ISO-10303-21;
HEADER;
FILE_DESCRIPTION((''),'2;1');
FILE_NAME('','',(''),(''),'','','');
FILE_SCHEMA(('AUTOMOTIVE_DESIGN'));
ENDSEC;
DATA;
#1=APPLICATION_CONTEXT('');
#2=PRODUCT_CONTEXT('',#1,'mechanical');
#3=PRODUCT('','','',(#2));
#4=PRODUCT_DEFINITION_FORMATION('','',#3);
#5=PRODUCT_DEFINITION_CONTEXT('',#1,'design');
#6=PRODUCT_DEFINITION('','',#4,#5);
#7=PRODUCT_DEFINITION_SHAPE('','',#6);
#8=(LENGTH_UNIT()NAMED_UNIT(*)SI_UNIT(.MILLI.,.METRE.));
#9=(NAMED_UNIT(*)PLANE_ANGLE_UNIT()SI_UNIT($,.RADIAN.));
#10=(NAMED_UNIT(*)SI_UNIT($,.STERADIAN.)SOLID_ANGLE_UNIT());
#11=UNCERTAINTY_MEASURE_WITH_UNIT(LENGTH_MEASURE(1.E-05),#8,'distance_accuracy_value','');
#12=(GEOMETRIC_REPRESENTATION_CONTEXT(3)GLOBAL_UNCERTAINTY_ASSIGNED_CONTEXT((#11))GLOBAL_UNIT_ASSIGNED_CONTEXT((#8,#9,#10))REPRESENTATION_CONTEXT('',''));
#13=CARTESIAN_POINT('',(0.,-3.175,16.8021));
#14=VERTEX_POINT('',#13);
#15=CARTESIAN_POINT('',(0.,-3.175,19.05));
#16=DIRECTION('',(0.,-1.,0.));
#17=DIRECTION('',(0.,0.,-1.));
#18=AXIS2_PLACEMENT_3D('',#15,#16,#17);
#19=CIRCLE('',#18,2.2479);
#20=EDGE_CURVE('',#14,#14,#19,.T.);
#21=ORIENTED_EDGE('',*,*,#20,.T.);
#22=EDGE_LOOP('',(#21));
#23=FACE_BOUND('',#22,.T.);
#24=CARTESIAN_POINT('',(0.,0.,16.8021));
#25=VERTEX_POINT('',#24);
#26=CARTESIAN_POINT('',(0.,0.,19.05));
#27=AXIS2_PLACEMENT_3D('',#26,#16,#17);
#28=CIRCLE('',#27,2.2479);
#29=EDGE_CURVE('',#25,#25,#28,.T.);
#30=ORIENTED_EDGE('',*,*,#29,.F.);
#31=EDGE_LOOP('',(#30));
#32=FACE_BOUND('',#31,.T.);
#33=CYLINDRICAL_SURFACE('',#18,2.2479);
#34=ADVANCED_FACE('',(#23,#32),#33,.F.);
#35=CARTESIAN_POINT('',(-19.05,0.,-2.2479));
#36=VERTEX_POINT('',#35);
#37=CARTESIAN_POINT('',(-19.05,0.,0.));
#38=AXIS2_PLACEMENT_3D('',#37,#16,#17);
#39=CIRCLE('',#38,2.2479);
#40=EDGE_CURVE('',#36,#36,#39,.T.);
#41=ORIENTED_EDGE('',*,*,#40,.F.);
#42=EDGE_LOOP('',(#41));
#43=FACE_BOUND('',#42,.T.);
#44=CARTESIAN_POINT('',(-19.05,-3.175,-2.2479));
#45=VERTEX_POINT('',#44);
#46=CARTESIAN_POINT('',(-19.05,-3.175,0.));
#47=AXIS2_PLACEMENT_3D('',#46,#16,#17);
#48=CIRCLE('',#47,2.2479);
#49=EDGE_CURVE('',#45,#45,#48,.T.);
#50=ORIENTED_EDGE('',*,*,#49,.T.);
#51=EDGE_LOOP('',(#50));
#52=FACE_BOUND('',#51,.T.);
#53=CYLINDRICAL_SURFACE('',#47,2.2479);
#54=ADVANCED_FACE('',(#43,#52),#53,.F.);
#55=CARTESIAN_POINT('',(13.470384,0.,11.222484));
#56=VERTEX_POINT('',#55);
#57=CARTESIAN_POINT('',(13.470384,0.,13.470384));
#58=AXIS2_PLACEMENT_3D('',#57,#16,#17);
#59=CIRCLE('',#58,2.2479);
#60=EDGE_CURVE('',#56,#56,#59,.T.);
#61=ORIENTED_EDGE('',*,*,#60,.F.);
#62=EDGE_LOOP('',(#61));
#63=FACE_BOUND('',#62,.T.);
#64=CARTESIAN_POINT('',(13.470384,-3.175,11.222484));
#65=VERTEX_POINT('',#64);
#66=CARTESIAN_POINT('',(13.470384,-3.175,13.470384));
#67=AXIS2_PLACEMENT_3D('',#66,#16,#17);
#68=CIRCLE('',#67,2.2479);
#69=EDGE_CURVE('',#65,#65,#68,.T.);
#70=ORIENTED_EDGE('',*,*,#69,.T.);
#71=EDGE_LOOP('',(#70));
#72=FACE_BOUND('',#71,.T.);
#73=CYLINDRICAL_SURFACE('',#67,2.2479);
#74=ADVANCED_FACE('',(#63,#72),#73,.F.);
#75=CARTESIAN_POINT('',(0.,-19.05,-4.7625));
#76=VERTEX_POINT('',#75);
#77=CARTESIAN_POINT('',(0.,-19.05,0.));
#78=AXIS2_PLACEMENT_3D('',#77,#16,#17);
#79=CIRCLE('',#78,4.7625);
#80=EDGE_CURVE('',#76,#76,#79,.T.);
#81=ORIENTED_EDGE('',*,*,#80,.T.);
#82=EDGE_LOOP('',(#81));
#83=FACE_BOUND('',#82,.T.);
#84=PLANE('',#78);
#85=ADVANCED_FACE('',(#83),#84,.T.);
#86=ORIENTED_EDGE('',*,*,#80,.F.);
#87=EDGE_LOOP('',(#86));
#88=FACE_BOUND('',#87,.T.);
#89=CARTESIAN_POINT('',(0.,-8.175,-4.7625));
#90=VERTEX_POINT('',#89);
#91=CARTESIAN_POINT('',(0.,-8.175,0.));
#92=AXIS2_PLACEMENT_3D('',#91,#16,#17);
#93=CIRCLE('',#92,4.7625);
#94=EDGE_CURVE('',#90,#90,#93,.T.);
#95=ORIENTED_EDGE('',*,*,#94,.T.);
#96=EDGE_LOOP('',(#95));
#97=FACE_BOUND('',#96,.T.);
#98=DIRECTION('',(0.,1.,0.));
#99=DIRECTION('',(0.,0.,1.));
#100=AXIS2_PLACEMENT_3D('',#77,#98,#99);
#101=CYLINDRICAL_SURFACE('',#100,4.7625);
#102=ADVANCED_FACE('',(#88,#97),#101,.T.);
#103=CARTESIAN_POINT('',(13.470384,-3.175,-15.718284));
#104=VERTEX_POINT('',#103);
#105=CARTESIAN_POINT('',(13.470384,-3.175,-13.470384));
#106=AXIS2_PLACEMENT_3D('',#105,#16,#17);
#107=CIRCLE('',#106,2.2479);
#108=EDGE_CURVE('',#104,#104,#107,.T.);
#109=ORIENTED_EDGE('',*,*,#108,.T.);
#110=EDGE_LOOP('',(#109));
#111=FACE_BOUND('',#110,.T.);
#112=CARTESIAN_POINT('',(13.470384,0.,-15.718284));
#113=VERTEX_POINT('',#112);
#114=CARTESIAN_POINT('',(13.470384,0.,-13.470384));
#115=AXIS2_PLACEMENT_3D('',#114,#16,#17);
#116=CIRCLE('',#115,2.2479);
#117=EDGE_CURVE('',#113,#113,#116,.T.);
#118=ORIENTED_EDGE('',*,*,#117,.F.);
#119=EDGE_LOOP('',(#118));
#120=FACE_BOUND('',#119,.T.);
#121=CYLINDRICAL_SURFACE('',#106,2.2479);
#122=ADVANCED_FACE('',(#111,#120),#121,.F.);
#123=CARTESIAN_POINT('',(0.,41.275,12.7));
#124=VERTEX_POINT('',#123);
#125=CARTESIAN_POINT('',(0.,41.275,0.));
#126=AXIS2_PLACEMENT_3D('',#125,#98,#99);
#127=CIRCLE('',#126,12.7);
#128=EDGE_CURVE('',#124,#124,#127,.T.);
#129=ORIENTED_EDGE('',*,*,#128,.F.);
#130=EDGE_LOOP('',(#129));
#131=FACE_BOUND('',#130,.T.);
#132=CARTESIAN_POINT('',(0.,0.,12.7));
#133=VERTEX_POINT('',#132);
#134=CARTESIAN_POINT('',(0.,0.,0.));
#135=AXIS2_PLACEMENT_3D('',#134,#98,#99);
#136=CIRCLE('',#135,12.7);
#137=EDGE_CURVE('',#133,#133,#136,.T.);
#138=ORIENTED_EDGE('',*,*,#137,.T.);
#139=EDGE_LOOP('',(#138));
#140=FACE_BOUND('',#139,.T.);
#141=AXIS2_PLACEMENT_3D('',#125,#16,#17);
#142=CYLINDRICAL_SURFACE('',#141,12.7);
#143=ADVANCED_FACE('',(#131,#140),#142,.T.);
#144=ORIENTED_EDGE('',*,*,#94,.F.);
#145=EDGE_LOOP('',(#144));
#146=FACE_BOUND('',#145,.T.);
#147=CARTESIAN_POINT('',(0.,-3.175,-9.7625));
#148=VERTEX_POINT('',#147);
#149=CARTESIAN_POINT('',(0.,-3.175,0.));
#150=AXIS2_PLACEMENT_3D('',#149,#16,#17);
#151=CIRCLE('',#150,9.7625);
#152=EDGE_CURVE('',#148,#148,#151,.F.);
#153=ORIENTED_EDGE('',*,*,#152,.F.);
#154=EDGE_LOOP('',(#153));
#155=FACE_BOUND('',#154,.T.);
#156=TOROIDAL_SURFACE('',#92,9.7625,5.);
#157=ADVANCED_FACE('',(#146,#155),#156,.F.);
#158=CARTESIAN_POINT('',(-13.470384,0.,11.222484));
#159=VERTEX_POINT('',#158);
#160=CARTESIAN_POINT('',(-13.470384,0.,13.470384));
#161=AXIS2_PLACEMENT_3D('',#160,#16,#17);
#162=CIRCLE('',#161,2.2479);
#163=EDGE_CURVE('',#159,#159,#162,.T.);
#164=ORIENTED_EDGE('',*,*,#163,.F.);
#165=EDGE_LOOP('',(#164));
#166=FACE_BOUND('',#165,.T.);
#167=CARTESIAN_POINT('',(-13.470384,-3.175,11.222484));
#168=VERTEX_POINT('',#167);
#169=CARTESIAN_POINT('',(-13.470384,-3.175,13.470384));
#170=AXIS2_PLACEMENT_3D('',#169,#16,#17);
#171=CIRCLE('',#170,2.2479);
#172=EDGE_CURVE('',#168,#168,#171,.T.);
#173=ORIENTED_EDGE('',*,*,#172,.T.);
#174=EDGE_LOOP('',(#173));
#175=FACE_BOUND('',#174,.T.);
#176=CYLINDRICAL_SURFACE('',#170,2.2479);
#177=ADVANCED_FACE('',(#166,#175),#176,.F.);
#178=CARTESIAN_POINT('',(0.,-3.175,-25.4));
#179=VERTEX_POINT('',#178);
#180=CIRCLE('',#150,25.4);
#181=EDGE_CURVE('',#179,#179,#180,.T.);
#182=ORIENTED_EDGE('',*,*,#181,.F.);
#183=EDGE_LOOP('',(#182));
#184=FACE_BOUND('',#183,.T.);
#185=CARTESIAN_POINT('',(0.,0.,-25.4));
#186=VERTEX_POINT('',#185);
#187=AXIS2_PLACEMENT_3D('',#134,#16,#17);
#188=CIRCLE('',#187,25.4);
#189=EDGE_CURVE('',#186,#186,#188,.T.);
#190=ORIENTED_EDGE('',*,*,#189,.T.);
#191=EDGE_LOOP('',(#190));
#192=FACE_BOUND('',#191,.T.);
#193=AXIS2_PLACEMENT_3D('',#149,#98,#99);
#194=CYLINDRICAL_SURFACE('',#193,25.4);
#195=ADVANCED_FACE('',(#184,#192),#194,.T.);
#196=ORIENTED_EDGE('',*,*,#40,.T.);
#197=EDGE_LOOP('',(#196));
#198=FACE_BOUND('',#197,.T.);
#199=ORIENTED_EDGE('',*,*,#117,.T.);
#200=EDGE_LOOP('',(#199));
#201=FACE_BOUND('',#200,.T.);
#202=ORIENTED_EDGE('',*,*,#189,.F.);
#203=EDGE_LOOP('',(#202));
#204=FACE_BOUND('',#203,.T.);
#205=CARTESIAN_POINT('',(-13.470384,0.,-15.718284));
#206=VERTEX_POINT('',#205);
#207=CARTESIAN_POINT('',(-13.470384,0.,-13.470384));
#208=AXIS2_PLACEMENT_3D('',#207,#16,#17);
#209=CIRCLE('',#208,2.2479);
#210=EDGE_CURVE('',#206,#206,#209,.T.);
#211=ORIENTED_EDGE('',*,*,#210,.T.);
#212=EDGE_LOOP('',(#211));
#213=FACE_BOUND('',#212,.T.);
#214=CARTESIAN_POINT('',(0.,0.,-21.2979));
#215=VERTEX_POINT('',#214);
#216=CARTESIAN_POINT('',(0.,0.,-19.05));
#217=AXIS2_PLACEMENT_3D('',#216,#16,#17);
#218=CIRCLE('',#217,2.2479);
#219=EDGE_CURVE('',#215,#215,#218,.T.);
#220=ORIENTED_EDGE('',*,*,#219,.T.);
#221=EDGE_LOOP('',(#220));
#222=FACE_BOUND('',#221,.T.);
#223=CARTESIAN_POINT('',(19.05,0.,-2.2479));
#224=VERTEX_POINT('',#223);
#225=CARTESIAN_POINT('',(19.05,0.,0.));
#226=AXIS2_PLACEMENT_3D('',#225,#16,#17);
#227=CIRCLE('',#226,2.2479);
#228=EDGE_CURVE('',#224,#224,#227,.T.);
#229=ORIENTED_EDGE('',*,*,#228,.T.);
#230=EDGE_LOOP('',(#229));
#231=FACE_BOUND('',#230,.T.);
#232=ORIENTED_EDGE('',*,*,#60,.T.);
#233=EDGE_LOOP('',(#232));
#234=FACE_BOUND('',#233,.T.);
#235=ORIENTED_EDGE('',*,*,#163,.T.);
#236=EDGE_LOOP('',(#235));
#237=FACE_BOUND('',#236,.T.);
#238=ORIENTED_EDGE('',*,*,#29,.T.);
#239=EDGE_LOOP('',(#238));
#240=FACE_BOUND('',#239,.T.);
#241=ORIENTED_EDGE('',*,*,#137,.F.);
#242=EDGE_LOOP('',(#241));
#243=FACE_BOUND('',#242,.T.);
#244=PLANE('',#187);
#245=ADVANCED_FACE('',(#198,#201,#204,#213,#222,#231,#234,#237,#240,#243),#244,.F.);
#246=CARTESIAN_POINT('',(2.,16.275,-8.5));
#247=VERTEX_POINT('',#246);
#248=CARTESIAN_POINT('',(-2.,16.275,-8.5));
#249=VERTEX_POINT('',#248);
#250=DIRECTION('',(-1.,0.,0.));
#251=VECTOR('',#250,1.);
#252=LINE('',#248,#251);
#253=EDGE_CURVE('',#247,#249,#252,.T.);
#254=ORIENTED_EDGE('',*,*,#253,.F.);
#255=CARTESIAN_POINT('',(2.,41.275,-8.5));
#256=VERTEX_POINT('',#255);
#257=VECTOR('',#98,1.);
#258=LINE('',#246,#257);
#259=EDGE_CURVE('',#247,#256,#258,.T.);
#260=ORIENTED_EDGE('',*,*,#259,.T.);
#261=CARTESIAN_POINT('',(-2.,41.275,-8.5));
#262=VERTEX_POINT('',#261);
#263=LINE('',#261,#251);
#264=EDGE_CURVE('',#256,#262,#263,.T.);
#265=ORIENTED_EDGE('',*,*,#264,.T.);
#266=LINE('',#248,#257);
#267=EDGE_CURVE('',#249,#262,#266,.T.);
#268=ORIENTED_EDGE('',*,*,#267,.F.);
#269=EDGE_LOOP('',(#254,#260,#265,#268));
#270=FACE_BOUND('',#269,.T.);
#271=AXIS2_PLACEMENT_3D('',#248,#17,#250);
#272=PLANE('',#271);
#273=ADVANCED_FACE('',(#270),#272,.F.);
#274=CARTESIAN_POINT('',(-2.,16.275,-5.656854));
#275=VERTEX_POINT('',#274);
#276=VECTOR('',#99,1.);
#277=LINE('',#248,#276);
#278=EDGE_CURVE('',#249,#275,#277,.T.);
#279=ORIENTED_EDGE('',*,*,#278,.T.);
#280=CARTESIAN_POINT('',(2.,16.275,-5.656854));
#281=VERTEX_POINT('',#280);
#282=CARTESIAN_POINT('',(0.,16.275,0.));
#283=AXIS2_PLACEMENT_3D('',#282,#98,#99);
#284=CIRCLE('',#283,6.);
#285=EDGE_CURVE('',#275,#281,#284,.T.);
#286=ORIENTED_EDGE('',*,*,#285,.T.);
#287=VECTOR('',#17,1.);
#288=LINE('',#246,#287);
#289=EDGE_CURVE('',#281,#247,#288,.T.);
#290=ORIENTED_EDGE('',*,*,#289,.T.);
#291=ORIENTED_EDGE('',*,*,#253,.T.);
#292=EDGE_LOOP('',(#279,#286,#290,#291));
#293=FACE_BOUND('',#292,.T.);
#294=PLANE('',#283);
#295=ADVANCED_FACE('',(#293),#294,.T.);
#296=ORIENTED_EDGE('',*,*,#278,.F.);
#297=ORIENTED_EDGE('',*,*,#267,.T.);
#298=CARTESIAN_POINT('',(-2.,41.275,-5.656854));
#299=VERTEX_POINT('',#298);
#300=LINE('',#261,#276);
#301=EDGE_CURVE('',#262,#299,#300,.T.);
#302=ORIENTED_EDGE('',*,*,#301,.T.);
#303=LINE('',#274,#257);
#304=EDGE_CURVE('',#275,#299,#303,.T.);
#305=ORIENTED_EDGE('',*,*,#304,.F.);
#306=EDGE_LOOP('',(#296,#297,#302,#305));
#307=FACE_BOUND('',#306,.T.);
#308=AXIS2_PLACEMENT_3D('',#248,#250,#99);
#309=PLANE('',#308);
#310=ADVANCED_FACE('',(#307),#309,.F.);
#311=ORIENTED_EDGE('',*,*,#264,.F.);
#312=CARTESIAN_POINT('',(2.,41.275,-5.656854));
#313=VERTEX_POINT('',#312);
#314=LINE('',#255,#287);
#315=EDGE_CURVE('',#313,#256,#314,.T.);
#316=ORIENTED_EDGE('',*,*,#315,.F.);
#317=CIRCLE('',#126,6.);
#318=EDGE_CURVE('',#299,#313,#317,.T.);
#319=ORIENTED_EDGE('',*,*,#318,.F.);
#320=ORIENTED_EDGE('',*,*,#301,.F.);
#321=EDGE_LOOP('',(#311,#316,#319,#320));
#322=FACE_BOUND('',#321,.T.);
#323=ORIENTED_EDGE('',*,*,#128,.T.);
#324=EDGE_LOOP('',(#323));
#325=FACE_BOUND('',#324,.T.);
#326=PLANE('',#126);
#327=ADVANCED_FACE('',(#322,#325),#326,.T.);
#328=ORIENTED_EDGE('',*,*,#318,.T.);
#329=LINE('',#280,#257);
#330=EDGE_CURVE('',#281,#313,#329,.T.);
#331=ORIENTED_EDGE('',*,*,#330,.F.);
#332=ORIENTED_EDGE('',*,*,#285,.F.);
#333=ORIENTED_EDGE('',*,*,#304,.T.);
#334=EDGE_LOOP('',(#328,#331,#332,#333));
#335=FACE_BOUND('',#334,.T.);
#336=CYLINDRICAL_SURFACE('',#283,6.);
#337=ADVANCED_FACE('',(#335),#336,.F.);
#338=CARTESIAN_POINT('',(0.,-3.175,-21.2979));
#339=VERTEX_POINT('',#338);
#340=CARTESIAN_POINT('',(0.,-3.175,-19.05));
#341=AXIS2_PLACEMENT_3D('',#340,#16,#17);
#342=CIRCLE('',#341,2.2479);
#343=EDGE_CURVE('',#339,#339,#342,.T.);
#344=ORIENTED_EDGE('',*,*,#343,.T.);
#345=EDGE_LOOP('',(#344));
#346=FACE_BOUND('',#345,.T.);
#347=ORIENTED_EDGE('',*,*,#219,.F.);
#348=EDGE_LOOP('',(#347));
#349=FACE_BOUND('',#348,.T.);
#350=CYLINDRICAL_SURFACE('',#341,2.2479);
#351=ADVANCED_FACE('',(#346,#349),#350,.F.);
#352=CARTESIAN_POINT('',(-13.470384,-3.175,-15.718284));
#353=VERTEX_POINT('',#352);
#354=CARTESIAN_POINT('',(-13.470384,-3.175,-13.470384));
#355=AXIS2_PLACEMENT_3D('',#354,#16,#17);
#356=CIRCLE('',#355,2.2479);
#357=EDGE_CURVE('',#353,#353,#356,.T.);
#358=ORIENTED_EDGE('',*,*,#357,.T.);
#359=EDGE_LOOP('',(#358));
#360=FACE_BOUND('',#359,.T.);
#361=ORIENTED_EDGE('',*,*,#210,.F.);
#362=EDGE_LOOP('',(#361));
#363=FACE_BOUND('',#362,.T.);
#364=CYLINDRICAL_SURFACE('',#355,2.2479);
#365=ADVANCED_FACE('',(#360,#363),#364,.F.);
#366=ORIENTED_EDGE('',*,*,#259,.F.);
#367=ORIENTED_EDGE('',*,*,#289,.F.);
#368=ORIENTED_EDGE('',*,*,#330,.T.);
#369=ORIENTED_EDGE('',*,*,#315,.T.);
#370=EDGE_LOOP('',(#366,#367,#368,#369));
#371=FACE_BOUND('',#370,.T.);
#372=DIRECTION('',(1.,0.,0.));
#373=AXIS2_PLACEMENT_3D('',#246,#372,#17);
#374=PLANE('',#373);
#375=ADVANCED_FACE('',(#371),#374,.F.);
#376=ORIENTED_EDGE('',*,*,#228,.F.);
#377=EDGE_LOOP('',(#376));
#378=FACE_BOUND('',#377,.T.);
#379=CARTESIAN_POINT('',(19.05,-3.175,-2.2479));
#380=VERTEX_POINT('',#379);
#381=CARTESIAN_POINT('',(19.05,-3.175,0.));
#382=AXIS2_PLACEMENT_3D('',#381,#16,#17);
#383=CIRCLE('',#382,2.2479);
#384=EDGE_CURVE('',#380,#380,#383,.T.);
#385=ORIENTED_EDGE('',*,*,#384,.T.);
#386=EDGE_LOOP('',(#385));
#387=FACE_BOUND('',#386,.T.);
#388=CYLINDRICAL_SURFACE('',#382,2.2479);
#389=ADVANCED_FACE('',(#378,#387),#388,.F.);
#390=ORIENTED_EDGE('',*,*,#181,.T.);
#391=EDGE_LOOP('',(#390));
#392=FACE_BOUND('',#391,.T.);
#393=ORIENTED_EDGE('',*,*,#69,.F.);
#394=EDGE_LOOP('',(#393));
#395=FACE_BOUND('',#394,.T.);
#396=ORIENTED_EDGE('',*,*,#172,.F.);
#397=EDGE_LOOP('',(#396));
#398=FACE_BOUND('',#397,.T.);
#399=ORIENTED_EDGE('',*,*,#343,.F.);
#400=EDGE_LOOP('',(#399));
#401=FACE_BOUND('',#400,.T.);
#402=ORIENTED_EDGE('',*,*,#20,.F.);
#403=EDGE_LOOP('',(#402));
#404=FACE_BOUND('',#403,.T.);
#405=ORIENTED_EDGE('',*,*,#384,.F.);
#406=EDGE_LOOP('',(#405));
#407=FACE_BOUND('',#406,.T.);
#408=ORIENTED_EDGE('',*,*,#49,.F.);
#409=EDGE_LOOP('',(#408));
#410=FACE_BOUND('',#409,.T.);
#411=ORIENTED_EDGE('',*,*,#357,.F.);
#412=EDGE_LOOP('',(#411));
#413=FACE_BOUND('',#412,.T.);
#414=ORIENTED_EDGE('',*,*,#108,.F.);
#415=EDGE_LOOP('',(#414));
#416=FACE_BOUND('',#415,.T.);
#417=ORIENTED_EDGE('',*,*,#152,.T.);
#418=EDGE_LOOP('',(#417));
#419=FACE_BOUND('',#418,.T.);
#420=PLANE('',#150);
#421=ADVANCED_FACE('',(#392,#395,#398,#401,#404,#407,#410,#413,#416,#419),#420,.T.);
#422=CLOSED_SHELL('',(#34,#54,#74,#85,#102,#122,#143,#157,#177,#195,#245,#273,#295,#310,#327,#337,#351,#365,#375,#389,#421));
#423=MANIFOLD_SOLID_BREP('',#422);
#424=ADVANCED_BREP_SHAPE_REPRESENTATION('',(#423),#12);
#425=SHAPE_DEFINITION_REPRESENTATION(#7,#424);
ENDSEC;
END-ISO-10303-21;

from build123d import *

# Parameters (mm, degrees)
SKETCH1_R                   = 12.7
BOSS_EXTRUDE1_DEPTH         = 41.275
SKETCH3_R                   = 25.4
BOSS_EXTRUDE3_DEPTH         = 3.175
F_8_CLEARANCE_HOLE1_D       = 4.4958
F_20_8MMTOENDOFKEYWAY_DEPTH = 25
SKETCH8_R                   = 4.7625
BOSS_EXTRUDE4_DEPTH         = 15.875
FILLET1_R                   = 5


with BuildPart() as part:
    # Sketch1 → Boss-Extrude1 (new body)
    with BuildSketch(Plane(origin=(0, 0, 0), x_dir=(1, 0, 0), z_dir=(0, 1, 0))):
        Circle(SKETCH1_R)
    extrude(amount=BOSS_EXTRUDE1_DEPTH)

    # Sketch3 → Boss-Extrude3 (add)
    with BuildSketch(Plane.XZ):
        Circle(SKETCH3_R)
    extrude(amount=BOSS_EXTRUDE3_DEPTH)

    # #8 Clearance Hole1 (through all)
    with Locations(Plane(origin=(0, -3.175, 0), x_dir=(-1, 0, 0), z_dir=(0, -1, 0))):
        with Locations((0, 19.05), (-13.470384182, 13.470384182), (-19.05, 0), (-13.470384182, -13.470384182), (0, -19.05), (13.470384182, -13.470384182), (19.05, 0), (13.470384182, 13.470384182)):
            Hole(F_8_CLEARANCE_HOLE1_D / 2)

    # Sketch7 → 20.8mmToEndofKeyway (cut)
    with BuildSketch(Plane(origin=(0, 41.275, 0), x_dir=(1, 0, 0), z_dir=(0, 1, 0))):
        with BuildLine():
            Line((-2, 8.5), (2, 8.5))
            Line((2, 8.5), (2, 5.656854249))
            ThreePointArc((2, 5.656854249), (0, -6), (-2, 5.656854249))
            Line((-2, 5.656854249), (-2, 8.5))
        make_face()
    extrude(amount=-F_20_8MMTOENDOFKEYWAY_DEPTH, mode=Mode.SUBTRACT)

    # Sketch8 → Boss-Extrude4 (add)
    with BuildSketch(Plane.XZ.offset(3.175)):
        Circle(SKETCH8_R)
    extrude(amount=BOSS_EXTRUDE4_DEPTH)

    # Fillet1
    fillet1_edges = [part.edges().sort_by_distance(p)[0] for p in [
        (-4.7625, -3.175, 0),
    ]]
    fillet(fillet1_edges, radius=FILLET1_R)


solid = part.part
